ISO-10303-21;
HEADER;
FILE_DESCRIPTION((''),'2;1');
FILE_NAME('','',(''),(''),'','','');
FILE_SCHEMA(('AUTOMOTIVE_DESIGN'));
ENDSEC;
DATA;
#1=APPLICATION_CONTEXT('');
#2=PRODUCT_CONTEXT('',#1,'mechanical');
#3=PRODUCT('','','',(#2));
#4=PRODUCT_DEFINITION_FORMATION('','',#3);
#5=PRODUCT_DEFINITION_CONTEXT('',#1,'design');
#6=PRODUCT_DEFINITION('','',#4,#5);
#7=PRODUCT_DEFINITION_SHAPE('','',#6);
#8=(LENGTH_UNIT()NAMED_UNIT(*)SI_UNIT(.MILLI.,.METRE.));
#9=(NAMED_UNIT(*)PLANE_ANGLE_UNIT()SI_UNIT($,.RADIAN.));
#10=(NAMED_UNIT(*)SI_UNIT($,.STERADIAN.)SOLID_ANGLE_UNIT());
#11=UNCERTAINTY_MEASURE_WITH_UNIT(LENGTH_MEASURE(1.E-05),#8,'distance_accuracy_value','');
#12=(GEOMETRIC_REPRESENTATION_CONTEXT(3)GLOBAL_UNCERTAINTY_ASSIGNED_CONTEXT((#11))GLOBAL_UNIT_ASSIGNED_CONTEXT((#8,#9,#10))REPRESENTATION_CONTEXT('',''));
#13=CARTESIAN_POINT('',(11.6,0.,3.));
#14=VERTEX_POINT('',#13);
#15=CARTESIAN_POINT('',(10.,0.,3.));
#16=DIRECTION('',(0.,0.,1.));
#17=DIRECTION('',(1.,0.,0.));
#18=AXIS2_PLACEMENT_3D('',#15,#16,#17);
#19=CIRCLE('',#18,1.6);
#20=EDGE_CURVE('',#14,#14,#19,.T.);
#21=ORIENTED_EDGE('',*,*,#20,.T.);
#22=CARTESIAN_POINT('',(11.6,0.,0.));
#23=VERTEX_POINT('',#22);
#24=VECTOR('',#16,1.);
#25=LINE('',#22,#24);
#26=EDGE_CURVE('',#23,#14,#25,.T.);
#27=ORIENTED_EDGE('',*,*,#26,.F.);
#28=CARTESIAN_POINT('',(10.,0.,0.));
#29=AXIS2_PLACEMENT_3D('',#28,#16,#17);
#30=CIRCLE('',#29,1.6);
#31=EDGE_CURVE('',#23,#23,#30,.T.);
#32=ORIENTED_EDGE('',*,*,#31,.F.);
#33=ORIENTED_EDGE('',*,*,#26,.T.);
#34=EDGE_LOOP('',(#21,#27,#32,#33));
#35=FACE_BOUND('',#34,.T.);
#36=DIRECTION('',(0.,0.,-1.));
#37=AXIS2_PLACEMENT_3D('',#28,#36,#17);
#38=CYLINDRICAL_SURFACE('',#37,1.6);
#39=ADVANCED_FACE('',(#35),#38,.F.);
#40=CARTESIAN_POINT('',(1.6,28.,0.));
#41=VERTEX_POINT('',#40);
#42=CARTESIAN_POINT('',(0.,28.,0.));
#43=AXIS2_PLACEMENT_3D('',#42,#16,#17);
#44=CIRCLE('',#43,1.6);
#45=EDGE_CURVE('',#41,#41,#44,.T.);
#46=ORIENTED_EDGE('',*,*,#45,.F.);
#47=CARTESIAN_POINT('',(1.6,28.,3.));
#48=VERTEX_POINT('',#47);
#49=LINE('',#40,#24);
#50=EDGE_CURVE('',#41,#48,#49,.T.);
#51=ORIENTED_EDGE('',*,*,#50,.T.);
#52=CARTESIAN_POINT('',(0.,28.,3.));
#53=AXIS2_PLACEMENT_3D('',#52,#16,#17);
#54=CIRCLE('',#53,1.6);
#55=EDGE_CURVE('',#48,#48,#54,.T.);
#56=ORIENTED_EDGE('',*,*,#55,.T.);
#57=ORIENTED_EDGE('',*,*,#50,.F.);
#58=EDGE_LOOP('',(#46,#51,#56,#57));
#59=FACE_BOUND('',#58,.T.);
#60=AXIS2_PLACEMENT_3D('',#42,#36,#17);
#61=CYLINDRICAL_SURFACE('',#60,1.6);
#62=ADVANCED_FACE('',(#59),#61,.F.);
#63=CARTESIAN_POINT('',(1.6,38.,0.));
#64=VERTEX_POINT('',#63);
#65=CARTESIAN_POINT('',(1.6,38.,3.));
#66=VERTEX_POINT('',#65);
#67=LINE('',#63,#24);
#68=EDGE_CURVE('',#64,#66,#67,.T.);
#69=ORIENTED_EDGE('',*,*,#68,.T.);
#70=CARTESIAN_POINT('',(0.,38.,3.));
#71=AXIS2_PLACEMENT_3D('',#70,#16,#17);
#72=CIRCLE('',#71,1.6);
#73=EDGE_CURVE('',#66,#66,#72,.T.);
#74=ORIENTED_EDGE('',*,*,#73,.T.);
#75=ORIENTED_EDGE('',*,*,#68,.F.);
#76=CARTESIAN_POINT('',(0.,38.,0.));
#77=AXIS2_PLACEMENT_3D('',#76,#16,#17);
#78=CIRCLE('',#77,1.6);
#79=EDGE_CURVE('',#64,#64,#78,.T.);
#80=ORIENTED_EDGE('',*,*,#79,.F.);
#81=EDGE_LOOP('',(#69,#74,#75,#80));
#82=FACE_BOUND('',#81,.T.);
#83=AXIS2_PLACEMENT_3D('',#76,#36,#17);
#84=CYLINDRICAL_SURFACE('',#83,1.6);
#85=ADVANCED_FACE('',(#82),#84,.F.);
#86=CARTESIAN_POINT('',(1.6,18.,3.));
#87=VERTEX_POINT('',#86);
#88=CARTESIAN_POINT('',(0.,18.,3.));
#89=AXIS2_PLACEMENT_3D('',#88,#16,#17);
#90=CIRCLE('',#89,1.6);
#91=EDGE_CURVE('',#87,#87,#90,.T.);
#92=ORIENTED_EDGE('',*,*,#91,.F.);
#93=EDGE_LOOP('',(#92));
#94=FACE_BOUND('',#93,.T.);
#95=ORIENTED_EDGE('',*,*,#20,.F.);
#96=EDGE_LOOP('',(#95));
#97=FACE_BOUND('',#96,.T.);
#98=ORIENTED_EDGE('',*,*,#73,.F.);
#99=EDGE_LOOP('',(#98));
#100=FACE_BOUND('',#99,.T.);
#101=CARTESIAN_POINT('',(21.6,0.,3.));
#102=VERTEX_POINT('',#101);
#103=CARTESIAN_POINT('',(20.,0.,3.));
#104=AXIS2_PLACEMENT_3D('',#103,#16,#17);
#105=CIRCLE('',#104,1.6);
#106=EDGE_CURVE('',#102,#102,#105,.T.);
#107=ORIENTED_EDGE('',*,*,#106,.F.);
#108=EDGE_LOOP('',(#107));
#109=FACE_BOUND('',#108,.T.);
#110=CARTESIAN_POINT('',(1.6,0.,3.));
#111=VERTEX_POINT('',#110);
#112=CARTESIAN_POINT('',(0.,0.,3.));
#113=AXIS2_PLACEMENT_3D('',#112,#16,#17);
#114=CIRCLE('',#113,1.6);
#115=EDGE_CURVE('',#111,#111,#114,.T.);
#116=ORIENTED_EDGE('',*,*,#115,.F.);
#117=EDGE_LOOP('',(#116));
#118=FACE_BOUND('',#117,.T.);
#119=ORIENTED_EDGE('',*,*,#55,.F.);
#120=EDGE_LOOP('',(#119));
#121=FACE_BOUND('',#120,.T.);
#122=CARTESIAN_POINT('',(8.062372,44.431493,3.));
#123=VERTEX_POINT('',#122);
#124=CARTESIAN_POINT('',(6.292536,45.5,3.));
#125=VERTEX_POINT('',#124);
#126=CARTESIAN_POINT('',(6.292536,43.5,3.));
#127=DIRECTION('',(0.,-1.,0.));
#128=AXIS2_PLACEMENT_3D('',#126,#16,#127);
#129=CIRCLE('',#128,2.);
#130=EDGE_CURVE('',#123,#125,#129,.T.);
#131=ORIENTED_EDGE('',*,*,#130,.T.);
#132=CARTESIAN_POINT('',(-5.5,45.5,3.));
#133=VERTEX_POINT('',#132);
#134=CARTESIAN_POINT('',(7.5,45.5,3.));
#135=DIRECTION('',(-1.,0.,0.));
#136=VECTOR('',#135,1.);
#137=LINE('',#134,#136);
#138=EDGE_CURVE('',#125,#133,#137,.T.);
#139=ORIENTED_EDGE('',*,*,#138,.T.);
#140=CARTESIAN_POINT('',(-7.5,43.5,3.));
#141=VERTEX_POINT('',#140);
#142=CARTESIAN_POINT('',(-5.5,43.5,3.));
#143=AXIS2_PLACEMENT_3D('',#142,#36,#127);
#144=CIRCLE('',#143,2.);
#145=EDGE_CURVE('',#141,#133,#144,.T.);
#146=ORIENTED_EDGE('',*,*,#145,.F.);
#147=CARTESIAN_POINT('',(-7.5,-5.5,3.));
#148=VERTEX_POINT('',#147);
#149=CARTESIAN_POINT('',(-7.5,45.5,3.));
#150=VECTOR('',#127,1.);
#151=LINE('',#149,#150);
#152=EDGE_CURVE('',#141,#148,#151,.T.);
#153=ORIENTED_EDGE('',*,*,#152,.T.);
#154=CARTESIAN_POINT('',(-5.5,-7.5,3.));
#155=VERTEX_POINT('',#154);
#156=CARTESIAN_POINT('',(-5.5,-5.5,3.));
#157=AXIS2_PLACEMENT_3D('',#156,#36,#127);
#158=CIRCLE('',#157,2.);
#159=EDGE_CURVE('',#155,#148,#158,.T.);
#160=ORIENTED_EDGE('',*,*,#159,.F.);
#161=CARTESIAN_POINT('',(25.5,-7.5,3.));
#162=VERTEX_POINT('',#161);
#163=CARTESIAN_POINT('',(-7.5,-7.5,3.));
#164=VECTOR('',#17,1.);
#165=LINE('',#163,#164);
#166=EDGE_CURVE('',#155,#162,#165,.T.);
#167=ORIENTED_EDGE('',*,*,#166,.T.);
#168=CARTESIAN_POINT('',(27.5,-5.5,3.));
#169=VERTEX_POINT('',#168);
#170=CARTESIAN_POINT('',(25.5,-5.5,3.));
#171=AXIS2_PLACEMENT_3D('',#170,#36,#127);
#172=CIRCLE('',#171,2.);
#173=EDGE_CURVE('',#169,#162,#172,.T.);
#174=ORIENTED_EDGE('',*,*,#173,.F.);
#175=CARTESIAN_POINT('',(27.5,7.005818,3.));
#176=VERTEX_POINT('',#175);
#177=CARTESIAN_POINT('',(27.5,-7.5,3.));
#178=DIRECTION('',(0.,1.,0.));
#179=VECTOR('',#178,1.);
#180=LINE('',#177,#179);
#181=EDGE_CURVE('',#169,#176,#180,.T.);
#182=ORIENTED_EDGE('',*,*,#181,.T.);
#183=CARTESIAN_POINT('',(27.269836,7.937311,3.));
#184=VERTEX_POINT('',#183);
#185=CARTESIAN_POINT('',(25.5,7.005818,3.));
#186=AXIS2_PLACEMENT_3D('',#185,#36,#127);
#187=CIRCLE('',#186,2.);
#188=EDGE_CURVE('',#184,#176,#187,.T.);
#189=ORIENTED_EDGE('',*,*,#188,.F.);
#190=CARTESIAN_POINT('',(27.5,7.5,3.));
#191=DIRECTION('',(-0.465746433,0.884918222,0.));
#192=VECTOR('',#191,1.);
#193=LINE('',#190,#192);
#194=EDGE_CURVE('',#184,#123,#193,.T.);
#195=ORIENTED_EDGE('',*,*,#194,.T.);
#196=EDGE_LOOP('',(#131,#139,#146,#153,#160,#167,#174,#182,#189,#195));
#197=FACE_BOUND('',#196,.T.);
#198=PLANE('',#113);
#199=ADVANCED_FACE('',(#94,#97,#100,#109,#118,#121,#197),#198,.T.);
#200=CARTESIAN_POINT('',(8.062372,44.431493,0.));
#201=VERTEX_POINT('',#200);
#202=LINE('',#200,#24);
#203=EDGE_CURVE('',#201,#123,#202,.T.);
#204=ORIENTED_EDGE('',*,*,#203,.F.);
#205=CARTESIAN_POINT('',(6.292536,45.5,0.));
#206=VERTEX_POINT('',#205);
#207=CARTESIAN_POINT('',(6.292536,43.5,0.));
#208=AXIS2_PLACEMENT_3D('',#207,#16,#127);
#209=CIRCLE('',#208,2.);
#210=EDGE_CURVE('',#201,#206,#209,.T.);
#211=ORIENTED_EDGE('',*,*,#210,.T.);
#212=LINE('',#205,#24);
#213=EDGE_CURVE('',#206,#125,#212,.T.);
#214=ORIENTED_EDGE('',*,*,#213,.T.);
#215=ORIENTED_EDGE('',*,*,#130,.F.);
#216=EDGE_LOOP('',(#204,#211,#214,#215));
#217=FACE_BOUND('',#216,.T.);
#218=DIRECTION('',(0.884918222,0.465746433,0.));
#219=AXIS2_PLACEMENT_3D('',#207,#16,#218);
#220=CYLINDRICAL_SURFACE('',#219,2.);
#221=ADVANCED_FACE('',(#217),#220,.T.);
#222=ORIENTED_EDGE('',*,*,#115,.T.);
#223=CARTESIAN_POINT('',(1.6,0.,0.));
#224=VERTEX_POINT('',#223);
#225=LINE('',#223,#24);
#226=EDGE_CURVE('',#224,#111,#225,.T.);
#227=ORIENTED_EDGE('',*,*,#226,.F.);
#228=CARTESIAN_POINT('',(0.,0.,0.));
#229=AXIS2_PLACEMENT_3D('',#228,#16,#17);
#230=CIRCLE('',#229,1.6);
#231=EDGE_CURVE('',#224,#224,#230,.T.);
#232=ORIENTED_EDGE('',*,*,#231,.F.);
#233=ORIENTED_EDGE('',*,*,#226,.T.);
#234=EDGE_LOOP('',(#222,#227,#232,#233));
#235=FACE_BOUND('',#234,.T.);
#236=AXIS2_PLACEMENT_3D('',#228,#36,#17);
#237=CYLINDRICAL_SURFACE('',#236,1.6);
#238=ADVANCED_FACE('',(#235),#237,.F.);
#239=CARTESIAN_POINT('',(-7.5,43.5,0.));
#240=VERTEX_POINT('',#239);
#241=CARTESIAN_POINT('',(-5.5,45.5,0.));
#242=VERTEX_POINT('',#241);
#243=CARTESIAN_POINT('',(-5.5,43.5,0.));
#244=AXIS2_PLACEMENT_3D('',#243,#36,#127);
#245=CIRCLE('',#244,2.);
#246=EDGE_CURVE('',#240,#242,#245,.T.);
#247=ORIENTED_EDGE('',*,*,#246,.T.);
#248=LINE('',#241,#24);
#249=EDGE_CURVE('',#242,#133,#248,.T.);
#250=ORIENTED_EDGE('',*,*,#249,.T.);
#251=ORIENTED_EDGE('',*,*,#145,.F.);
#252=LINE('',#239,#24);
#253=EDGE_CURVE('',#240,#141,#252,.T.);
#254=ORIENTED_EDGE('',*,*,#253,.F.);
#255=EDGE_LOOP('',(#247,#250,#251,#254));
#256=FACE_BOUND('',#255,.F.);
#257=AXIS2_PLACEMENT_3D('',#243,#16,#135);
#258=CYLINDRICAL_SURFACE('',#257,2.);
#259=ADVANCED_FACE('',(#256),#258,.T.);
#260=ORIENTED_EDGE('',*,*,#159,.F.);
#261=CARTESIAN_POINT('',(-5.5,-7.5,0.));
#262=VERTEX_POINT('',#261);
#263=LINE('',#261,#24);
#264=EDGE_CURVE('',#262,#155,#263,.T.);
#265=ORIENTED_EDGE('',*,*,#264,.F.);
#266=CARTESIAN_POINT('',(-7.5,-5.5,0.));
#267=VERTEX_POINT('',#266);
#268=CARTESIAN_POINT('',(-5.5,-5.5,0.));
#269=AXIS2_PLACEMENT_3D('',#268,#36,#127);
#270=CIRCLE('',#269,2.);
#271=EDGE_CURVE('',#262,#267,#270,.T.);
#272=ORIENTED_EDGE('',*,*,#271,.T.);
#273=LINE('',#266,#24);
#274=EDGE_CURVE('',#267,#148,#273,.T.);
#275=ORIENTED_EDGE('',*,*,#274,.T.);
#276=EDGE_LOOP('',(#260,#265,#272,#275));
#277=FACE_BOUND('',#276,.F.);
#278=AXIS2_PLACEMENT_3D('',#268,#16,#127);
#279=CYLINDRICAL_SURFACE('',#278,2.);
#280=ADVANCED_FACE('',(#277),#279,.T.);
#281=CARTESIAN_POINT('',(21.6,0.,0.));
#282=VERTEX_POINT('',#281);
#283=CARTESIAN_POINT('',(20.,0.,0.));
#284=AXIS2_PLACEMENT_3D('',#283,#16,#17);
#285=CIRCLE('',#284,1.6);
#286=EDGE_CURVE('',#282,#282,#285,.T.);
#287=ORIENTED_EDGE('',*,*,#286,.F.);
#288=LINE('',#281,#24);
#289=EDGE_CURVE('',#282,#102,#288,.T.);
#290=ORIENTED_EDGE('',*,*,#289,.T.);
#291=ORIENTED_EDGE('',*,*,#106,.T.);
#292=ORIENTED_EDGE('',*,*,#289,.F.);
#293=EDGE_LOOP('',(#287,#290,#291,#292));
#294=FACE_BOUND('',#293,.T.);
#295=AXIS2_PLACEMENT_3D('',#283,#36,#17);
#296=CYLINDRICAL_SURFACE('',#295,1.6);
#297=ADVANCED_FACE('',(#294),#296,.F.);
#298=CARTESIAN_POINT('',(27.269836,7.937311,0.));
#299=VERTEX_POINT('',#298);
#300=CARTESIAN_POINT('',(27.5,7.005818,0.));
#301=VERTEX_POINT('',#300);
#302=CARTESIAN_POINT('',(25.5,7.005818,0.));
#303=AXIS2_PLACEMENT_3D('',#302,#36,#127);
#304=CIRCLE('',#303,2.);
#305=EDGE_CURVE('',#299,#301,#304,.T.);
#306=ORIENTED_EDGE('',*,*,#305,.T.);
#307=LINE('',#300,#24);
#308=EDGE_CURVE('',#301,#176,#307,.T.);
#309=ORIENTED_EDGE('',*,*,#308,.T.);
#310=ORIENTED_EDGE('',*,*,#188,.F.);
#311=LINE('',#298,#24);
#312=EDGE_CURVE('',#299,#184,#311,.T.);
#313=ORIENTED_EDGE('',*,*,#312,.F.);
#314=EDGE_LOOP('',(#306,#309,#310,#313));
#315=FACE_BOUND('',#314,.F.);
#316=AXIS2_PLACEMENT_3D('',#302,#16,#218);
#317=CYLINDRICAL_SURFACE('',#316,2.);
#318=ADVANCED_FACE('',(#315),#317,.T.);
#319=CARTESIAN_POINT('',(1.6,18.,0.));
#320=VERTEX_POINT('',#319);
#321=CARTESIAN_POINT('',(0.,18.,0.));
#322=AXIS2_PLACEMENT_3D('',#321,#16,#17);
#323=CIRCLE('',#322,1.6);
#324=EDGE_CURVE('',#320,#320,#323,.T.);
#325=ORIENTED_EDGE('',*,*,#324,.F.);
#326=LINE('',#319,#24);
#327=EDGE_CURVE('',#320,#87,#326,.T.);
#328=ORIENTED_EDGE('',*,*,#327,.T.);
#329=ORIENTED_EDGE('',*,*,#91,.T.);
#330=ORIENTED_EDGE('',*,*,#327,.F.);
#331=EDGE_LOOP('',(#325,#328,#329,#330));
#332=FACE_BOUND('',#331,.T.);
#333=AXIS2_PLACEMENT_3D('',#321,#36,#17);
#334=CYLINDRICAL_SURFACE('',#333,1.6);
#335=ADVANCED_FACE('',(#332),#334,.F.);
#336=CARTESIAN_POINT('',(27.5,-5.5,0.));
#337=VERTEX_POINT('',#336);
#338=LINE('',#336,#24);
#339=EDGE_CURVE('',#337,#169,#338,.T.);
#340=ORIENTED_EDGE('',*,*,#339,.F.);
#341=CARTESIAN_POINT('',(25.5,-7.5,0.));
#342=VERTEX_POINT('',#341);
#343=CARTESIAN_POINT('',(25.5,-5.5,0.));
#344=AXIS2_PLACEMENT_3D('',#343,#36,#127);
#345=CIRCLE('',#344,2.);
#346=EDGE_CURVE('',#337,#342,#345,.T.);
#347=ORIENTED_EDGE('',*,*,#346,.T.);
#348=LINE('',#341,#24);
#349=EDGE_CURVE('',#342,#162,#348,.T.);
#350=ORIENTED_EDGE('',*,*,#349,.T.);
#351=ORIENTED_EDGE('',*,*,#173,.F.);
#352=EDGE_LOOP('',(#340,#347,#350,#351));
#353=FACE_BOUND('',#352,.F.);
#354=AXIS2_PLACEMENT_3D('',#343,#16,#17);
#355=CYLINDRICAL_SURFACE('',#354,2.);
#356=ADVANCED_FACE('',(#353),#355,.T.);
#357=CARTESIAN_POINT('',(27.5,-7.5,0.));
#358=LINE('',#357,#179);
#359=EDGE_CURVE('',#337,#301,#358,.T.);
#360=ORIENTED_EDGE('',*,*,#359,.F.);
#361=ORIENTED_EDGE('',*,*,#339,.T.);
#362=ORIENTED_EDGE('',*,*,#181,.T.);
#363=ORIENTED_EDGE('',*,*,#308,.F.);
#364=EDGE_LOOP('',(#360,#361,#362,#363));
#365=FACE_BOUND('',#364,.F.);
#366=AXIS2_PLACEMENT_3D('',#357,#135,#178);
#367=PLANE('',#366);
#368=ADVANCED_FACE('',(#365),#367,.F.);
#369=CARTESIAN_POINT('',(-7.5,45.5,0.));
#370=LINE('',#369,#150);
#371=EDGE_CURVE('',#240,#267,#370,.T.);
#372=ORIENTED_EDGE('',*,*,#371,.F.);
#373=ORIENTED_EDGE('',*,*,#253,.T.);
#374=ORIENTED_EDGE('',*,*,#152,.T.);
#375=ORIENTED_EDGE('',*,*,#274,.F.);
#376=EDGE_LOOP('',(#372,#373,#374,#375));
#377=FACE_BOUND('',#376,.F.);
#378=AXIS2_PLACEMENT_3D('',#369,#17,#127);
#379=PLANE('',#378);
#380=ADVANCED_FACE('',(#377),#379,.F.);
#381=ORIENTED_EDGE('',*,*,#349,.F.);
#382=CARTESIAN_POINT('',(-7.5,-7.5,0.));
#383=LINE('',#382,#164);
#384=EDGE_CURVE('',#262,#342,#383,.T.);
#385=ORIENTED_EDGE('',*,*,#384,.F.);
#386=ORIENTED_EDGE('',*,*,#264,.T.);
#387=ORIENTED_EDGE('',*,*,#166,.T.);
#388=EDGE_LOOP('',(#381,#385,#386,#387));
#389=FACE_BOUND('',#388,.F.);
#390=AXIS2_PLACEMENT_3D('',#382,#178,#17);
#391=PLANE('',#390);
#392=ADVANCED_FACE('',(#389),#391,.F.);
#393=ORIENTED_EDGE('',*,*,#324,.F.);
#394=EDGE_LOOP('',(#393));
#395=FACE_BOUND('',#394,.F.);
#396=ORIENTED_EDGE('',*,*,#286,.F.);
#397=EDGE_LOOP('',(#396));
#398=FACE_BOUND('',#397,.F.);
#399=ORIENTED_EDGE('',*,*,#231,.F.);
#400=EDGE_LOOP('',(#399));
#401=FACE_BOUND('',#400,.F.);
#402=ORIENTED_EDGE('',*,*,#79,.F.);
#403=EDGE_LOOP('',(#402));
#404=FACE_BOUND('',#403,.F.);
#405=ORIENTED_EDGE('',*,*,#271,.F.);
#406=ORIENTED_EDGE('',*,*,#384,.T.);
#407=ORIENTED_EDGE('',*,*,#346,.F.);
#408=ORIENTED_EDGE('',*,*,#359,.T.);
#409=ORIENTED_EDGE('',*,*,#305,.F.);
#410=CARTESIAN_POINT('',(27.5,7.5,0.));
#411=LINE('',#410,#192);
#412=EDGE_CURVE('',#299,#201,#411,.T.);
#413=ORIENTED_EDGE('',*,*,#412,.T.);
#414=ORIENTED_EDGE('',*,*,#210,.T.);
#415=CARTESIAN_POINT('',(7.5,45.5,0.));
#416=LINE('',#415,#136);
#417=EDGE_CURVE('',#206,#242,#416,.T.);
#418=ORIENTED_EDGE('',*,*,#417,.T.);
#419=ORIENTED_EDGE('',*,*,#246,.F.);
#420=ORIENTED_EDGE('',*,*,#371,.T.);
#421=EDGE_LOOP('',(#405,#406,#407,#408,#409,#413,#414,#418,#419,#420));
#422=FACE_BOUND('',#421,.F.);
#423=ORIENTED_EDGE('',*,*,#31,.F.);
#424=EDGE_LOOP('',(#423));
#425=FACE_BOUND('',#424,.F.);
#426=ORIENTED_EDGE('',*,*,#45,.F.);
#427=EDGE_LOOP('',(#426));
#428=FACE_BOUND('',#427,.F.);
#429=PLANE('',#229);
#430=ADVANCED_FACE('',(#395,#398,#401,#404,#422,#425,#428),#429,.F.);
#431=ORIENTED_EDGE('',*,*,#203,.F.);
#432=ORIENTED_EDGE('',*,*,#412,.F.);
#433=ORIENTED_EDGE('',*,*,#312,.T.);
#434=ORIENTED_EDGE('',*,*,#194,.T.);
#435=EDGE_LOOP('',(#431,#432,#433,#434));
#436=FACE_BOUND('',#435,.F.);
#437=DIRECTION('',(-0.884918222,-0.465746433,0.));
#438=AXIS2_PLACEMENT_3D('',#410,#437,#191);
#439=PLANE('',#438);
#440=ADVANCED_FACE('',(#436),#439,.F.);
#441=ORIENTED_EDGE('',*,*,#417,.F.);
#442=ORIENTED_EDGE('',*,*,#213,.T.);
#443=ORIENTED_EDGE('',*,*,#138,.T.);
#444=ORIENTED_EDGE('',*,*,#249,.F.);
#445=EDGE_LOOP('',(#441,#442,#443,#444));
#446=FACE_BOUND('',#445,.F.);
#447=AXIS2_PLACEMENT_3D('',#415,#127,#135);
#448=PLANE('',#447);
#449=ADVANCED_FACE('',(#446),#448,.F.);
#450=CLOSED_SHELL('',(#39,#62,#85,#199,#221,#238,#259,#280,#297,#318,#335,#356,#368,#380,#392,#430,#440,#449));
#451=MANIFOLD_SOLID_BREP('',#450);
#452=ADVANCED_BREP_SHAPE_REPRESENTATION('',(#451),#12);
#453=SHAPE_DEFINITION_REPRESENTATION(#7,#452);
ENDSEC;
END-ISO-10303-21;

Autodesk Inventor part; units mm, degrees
ref_plane "YZ Plane" through (0, 0, 0) normal (1, 0, 0) x (0, 1, 0)
ref_plane "XZ Plane" through (0, 0, 0) normal (0, 1, 0) x (-1, 0, 0)
ref_plane "XY Plane" through (0, 0, 0) normal (0, 0, 1) x (1, 0, 0)
sketch "スケッチ1" plane through (0, 0, 0) normal (0, 0, 1) x (1, 0, 0)
  circle A0 centre (0, 0) radius 1.6
  circle A1 centre (10, 0) radius 1.6
  circle A2 centre (20, 0) radius 1.6
  circle A3 centre (0, 18) radius 1.6
  circle A4 centre (0, 38) radius 1.6
  circle A5 centre (0, 28) radius 1.6
  line L0 (7.5, 45.5) -> (-7.5, 45.5)
  line L1 (-7.5, 45.5) -> (-7.5, -7.5)
  line L2 (-7.5, -7.5) -> (27.5, -7.5)
  line L3 (27.5, -7.5) -> (27.5, 7.5)
  line L4 (27.5, 7.5) -> (7.5, 45.5)
  dimension "d0" = 3.2
  dimension "d1" = 3.2
  dimension "d2" = 3.2
  dimension "d3" = 3.2
  dimension "d4" = 3.2
  dimension "d5" = 3.2
  dimension "d6" = 10
  dimension "d7" = 10
  dimension "d8" = 18
  dimension "d9" = 10
  dimension "d10" = 10
  dimension "d11" = 7.5
  dimension "d12" = 7.5
  dimension "d13" = 7.5
  dimension "d14" = 7.5
  dimension "d15" = 7.5
  dimension "d16" = 7.5
extrude "押し出し1" add sketch "スケッチ1" along normal blind 3
fillet "フィレット1" radius 2 5 edges at (-7.5, 45.5, 1.5) (7.5, 45.5, 1.5) (27.5, 7.5, 1.5) (27.5, -7.5, 1.5) (-7.5, -7.5, 1.5)
properties part number "オムニ_固定具6" material "アルミニウム 6061"
